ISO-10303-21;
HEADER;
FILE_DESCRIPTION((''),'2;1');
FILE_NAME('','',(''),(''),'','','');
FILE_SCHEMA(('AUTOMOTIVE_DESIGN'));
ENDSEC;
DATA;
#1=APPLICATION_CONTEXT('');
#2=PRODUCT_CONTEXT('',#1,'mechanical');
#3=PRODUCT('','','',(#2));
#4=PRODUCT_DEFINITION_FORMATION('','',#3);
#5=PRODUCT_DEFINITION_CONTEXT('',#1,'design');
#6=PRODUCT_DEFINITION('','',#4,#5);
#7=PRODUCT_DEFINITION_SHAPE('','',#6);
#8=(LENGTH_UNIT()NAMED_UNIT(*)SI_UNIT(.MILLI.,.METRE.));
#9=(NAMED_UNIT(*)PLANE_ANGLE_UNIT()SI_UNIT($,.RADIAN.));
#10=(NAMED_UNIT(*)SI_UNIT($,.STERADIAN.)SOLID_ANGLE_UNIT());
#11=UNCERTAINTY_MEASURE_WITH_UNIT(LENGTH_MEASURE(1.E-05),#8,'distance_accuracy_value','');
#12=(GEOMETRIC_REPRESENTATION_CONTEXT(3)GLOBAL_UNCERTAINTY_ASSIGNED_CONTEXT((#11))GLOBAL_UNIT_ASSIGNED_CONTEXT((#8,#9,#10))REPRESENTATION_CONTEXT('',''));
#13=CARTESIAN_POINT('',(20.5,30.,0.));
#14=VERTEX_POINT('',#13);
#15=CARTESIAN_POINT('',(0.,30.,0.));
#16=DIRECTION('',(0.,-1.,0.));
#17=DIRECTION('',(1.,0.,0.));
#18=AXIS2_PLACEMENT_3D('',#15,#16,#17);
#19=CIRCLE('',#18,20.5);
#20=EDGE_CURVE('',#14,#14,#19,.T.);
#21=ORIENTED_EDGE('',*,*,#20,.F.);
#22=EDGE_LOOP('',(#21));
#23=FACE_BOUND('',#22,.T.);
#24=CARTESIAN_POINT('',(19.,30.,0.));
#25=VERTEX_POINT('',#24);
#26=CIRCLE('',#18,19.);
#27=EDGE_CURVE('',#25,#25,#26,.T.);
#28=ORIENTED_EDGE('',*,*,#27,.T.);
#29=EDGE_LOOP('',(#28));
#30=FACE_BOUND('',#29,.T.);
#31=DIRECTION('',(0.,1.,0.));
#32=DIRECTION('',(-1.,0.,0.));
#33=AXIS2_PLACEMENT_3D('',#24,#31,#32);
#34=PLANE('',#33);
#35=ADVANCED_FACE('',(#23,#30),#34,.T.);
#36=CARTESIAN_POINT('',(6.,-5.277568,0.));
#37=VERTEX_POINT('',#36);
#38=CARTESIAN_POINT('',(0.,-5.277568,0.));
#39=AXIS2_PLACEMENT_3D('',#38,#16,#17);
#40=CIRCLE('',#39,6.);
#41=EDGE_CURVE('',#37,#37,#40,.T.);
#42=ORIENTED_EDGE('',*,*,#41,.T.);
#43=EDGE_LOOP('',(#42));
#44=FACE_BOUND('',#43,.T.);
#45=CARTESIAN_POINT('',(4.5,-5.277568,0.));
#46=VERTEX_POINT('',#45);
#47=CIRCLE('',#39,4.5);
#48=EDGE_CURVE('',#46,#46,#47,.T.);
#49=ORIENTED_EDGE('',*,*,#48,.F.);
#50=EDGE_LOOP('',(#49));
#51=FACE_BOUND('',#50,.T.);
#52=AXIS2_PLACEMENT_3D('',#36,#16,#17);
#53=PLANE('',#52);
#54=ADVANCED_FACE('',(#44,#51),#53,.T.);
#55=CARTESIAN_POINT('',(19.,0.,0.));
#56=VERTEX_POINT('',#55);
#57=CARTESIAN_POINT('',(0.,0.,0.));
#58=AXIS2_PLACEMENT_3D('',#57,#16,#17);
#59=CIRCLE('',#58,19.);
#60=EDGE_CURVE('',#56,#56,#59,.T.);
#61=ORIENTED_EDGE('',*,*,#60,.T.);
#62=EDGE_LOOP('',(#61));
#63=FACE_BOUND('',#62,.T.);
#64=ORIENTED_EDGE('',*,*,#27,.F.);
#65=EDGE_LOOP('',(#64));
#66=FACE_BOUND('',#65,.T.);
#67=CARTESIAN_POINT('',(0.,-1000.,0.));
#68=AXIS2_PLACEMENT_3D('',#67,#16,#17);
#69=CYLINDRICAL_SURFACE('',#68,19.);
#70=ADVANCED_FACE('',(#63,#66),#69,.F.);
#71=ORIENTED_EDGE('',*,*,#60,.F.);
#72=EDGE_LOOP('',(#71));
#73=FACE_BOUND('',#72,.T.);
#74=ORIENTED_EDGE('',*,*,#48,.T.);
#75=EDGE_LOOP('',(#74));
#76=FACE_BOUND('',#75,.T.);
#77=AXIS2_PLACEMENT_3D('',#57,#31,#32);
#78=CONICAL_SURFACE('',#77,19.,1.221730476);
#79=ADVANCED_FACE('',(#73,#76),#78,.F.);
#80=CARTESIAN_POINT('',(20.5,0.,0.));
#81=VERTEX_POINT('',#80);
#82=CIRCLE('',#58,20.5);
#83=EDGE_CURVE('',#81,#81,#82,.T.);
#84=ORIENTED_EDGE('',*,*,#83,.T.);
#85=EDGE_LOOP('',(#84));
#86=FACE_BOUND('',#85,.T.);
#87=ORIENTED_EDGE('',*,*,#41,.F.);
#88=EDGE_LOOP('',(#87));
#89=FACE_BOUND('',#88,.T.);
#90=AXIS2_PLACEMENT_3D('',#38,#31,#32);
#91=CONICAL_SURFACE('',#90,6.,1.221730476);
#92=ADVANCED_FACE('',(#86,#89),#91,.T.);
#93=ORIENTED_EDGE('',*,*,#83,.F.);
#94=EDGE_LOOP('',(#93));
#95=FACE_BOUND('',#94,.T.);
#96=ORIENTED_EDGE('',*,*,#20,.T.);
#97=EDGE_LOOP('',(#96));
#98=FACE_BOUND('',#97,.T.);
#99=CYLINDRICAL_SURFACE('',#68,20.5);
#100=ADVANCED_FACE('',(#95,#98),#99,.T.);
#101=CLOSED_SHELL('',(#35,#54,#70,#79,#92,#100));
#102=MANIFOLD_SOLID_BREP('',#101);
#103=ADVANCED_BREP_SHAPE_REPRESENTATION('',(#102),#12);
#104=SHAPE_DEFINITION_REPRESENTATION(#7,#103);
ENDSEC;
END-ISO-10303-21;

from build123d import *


with BuildPart() as part:
    # Sketch2 → Revolve2 (revolve)
    with BuildSketch(Plane.XY):
        Polygon((20.5, 30), (20.5, 0), (6, -5.277568397), (4.5, -5.277568397), (19, 0), (19, 30), align=None)
    revolve(axis=Axis((0, -1000, 0), (0, 1, 0)))


solid = part.part
